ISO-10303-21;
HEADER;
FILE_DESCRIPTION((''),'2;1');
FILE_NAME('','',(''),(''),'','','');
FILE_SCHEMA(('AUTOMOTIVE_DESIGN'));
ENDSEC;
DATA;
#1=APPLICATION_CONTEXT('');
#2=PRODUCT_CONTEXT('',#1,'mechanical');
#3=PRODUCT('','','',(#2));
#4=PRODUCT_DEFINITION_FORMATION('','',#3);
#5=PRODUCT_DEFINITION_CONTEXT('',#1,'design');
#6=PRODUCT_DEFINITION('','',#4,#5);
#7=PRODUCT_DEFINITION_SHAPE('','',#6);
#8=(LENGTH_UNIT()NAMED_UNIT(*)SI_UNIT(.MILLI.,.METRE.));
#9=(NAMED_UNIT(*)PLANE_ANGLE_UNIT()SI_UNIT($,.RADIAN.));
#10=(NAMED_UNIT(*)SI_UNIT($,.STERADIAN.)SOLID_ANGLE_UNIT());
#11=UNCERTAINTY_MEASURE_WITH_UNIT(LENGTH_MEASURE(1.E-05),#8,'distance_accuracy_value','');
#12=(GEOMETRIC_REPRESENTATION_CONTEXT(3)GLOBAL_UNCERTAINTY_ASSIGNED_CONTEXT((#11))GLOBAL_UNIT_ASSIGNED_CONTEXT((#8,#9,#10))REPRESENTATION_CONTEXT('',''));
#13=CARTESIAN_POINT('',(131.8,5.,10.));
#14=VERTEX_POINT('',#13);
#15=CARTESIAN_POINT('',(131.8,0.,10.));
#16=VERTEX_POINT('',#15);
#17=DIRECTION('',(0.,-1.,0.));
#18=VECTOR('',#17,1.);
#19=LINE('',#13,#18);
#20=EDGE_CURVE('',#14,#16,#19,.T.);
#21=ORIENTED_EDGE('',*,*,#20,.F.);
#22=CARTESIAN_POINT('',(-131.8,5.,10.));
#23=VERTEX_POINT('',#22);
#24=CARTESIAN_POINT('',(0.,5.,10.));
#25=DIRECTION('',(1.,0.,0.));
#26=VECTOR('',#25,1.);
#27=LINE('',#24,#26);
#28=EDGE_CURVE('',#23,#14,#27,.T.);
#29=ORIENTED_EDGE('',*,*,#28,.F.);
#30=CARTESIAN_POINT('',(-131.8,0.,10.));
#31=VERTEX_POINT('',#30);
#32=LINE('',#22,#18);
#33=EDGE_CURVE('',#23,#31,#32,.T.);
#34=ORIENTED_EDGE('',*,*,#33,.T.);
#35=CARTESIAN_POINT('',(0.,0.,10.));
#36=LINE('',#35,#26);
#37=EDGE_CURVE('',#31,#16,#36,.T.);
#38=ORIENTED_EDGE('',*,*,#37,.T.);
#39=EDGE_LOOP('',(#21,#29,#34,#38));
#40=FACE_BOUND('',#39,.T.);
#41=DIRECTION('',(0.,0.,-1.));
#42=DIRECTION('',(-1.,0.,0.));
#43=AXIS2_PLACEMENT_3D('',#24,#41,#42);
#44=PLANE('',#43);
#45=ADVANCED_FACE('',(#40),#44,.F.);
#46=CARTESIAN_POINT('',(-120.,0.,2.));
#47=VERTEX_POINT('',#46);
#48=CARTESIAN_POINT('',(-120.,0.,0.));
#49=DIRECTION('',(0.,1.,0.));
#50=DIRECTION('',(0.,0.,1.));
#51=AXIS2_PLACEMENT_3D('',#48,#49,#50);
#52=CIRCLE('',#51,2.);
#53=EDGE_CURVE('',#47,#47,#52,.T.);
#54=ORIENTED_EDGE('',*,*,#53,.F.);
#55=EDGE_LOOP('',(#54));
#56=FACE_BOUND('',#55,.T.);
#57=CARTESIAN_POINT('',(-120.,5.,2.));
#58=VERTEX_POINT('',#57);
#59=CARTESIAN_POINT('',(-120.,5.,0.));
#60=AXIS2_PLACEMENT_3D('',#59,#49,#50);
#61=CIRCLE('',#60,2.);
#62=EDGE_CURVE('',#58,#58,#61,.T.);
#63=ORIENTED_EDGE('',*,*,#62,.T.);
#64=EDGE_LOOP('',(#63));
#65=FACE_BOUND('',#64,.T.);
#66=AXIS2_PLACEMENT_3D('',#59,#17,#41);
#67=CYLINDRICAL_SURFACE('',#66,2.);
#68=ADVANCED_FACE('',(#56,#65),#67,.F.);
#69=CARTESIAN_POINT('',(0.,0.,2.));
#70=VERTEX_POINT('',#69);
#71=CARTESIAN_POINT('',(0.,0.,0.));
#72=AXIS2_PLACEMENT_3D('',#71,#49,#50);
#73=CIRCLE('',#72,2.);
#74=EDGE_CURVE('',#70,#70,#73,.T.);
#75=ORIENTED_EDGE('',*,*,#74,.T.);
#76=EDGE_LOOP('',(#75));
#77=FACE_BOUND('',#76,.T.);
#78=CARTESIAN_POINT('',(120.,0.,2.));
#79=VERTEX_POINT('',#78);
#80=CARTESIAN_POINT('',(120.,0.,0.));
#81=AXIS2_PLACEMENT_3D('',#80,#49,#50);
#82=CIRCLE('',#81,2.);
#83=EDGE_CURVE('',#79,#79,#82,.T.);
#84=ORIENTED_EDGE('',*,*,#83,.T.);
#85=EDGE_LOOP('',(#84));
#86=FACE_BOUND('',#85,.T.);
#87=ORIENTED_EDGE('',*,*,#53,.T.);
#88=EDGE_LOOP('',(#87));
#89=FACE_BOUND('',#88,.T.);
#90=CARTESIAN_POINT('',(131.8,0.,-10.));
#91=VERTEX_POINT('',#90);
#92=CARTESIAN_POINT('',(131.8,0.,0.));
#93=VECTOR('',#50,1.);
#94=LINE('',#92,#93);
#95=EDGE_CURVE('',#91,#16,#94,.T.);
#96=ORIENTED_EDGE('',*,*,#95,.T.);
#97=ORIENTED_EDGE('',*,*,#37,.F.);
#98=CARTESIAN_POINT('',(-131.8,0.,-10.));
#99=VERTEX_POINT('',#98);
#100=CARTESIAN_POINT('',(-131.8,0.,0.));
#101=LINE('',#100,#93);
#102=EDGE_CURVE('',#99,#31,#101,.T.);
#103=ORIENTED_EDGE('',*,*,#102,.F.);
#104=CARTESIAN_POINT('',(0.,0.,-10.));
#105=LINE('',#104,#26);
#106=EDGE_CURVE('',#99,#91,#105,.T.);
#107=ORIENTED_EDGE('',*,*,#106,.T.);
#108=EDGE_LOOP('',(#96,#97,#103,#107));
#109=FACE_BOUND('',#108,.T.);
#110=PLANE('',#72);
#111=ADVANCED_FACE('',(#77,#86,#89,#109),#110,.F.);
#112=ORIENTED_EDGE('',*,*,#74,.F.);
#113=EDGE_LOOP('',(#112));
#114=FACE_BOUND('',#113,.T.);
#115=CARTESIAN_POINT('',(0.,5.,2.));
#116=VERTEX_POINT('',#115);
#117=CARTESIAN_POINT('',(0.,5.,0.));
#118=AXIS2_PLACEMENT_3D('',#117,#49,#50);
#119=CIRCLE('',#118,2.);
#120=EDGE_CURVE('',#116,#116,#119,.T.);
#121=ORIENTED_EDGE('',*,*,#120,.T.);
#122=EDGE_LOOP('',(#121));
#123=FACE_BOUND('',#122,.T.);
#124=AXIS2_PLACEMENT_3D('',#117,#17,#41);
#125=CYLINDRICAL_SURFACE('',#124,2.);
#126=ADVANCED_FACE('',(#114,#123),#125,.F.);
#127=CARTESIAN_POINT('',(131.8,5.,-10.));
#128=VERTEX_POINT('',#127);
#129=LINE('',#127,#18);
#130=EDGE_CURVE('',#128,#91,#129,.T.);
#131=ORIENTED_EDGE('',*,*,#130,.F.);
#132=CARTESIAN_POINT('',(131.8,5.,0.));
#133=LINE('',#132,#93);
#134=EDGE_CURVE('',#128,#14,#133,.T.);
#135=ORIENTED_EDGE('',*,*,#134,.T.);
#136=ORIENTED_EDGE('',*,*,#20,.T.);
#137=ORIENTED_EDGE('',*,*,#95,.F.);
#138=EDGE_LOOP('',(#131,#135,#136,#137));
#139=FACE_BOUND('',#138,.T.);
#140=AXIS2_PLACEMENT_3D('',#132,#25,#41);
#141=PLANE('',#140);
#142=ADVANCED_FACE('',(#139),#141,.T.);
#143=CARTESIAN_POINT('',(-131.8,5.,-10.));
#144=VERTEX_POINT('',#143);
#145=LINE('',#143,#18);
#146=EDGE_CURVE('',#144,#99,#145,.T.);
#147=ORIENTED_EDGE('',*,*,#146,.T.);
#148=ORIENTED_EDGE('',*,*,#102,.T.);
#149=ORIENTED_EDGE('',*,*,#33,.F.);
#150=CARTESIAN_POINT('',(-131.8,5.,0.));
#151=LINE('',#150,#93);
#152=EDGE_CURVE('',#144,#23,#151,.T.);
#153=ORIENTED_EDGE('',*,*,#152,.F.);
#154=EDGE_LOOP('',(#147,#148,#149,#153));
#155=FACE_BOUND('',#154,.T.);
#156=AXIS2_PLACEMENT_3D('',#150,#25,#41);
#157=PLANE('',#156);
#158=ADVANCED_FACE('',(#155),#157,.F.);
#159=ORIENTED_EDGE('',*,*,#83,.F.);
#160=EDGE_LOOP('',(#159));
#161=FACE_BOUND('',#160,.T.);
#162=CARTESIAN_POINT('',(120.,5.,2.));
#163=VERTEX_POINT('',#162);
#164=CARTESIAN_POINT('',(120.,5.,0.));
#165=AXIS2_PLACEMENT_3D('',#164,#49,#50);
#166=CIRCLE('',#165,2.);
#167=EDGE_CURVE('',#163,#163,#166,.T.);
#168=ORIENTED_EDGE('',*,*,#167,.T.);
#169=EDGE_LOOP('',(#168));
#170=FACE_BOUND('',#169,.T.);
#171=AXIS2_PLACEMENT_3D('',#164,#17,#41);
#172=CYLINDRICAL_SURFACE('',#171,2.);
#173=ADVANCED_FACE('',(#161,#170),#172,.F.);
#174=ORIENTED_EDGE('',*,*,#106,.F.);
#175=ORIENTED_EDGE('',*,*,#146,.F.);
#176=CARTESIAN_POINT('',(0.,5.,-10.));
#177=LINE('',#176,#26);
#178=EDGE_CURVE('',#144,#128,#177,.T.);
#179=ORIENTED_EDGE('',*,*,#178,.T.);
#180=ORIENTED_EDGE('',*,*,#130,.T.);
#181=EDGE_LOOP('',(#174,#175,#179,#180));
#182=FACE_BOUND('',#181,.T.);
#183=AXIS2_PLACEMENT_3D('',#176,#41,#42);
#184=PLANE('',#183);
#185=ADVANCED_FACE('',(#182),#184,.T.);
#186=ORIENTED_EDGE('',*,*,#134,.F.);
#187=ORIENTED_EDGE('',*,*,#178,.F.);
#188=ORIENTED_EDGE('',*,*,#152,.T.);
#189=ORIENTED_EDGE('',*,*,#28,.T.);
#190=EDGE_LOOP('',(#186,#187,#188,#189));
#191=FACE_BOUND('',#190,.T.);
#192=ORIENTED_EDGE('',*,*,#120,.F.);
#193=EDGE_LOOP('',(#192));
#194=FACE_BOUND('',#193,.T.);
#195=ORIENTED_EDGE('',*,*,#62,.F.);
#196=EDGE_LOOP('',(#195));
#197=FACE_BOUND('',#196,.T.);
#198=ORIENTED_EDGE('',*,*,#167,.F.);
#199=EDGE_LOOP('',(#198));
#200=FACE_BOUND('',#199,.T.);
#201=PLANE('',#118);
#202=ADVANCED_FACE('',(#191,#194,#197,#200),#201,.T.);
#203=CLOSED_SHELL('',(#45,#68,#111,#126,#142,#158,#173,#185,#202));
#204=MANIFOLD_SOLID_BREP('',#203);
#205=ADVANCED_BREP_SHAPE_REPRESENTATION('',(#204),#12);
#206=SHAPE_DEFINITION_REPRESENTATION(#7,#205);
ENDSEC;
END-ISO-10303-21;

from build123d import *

# Parameters (mm, degrees)
SKETCH1_4_W         = 263.6
SKETCH1_4_H         = 20
SKETCH1_4_R         = 2
BOSS_EXTRUDE3_DEPTH = 5


with BuildPart() as part:
    # Sketch1<4> → Boss-Extrude3 (new body)
    with BuildSketch(Plane(origin=(0, 0, 0), x_dir=(1, 0, 0), z_dir=(0, 1, 0))):
        Rectangle(SKETCH1_4_W, SKETCH1_4_H)
        with Locations((-120, 0)):
            Circle(SKETCH1_4_R, mode=Mode.SUBTRACT)
        Circle(SKETCH1_4_R, mode=Mode.SUBTRACT)
        with Locations((120, 0)):
            Circle(SKETCH1_4_R, mode=Mode.SUBTRACT)
    extrude(amount=BOSS_EXTRUDE3_DEPTH)


solid = part.part
